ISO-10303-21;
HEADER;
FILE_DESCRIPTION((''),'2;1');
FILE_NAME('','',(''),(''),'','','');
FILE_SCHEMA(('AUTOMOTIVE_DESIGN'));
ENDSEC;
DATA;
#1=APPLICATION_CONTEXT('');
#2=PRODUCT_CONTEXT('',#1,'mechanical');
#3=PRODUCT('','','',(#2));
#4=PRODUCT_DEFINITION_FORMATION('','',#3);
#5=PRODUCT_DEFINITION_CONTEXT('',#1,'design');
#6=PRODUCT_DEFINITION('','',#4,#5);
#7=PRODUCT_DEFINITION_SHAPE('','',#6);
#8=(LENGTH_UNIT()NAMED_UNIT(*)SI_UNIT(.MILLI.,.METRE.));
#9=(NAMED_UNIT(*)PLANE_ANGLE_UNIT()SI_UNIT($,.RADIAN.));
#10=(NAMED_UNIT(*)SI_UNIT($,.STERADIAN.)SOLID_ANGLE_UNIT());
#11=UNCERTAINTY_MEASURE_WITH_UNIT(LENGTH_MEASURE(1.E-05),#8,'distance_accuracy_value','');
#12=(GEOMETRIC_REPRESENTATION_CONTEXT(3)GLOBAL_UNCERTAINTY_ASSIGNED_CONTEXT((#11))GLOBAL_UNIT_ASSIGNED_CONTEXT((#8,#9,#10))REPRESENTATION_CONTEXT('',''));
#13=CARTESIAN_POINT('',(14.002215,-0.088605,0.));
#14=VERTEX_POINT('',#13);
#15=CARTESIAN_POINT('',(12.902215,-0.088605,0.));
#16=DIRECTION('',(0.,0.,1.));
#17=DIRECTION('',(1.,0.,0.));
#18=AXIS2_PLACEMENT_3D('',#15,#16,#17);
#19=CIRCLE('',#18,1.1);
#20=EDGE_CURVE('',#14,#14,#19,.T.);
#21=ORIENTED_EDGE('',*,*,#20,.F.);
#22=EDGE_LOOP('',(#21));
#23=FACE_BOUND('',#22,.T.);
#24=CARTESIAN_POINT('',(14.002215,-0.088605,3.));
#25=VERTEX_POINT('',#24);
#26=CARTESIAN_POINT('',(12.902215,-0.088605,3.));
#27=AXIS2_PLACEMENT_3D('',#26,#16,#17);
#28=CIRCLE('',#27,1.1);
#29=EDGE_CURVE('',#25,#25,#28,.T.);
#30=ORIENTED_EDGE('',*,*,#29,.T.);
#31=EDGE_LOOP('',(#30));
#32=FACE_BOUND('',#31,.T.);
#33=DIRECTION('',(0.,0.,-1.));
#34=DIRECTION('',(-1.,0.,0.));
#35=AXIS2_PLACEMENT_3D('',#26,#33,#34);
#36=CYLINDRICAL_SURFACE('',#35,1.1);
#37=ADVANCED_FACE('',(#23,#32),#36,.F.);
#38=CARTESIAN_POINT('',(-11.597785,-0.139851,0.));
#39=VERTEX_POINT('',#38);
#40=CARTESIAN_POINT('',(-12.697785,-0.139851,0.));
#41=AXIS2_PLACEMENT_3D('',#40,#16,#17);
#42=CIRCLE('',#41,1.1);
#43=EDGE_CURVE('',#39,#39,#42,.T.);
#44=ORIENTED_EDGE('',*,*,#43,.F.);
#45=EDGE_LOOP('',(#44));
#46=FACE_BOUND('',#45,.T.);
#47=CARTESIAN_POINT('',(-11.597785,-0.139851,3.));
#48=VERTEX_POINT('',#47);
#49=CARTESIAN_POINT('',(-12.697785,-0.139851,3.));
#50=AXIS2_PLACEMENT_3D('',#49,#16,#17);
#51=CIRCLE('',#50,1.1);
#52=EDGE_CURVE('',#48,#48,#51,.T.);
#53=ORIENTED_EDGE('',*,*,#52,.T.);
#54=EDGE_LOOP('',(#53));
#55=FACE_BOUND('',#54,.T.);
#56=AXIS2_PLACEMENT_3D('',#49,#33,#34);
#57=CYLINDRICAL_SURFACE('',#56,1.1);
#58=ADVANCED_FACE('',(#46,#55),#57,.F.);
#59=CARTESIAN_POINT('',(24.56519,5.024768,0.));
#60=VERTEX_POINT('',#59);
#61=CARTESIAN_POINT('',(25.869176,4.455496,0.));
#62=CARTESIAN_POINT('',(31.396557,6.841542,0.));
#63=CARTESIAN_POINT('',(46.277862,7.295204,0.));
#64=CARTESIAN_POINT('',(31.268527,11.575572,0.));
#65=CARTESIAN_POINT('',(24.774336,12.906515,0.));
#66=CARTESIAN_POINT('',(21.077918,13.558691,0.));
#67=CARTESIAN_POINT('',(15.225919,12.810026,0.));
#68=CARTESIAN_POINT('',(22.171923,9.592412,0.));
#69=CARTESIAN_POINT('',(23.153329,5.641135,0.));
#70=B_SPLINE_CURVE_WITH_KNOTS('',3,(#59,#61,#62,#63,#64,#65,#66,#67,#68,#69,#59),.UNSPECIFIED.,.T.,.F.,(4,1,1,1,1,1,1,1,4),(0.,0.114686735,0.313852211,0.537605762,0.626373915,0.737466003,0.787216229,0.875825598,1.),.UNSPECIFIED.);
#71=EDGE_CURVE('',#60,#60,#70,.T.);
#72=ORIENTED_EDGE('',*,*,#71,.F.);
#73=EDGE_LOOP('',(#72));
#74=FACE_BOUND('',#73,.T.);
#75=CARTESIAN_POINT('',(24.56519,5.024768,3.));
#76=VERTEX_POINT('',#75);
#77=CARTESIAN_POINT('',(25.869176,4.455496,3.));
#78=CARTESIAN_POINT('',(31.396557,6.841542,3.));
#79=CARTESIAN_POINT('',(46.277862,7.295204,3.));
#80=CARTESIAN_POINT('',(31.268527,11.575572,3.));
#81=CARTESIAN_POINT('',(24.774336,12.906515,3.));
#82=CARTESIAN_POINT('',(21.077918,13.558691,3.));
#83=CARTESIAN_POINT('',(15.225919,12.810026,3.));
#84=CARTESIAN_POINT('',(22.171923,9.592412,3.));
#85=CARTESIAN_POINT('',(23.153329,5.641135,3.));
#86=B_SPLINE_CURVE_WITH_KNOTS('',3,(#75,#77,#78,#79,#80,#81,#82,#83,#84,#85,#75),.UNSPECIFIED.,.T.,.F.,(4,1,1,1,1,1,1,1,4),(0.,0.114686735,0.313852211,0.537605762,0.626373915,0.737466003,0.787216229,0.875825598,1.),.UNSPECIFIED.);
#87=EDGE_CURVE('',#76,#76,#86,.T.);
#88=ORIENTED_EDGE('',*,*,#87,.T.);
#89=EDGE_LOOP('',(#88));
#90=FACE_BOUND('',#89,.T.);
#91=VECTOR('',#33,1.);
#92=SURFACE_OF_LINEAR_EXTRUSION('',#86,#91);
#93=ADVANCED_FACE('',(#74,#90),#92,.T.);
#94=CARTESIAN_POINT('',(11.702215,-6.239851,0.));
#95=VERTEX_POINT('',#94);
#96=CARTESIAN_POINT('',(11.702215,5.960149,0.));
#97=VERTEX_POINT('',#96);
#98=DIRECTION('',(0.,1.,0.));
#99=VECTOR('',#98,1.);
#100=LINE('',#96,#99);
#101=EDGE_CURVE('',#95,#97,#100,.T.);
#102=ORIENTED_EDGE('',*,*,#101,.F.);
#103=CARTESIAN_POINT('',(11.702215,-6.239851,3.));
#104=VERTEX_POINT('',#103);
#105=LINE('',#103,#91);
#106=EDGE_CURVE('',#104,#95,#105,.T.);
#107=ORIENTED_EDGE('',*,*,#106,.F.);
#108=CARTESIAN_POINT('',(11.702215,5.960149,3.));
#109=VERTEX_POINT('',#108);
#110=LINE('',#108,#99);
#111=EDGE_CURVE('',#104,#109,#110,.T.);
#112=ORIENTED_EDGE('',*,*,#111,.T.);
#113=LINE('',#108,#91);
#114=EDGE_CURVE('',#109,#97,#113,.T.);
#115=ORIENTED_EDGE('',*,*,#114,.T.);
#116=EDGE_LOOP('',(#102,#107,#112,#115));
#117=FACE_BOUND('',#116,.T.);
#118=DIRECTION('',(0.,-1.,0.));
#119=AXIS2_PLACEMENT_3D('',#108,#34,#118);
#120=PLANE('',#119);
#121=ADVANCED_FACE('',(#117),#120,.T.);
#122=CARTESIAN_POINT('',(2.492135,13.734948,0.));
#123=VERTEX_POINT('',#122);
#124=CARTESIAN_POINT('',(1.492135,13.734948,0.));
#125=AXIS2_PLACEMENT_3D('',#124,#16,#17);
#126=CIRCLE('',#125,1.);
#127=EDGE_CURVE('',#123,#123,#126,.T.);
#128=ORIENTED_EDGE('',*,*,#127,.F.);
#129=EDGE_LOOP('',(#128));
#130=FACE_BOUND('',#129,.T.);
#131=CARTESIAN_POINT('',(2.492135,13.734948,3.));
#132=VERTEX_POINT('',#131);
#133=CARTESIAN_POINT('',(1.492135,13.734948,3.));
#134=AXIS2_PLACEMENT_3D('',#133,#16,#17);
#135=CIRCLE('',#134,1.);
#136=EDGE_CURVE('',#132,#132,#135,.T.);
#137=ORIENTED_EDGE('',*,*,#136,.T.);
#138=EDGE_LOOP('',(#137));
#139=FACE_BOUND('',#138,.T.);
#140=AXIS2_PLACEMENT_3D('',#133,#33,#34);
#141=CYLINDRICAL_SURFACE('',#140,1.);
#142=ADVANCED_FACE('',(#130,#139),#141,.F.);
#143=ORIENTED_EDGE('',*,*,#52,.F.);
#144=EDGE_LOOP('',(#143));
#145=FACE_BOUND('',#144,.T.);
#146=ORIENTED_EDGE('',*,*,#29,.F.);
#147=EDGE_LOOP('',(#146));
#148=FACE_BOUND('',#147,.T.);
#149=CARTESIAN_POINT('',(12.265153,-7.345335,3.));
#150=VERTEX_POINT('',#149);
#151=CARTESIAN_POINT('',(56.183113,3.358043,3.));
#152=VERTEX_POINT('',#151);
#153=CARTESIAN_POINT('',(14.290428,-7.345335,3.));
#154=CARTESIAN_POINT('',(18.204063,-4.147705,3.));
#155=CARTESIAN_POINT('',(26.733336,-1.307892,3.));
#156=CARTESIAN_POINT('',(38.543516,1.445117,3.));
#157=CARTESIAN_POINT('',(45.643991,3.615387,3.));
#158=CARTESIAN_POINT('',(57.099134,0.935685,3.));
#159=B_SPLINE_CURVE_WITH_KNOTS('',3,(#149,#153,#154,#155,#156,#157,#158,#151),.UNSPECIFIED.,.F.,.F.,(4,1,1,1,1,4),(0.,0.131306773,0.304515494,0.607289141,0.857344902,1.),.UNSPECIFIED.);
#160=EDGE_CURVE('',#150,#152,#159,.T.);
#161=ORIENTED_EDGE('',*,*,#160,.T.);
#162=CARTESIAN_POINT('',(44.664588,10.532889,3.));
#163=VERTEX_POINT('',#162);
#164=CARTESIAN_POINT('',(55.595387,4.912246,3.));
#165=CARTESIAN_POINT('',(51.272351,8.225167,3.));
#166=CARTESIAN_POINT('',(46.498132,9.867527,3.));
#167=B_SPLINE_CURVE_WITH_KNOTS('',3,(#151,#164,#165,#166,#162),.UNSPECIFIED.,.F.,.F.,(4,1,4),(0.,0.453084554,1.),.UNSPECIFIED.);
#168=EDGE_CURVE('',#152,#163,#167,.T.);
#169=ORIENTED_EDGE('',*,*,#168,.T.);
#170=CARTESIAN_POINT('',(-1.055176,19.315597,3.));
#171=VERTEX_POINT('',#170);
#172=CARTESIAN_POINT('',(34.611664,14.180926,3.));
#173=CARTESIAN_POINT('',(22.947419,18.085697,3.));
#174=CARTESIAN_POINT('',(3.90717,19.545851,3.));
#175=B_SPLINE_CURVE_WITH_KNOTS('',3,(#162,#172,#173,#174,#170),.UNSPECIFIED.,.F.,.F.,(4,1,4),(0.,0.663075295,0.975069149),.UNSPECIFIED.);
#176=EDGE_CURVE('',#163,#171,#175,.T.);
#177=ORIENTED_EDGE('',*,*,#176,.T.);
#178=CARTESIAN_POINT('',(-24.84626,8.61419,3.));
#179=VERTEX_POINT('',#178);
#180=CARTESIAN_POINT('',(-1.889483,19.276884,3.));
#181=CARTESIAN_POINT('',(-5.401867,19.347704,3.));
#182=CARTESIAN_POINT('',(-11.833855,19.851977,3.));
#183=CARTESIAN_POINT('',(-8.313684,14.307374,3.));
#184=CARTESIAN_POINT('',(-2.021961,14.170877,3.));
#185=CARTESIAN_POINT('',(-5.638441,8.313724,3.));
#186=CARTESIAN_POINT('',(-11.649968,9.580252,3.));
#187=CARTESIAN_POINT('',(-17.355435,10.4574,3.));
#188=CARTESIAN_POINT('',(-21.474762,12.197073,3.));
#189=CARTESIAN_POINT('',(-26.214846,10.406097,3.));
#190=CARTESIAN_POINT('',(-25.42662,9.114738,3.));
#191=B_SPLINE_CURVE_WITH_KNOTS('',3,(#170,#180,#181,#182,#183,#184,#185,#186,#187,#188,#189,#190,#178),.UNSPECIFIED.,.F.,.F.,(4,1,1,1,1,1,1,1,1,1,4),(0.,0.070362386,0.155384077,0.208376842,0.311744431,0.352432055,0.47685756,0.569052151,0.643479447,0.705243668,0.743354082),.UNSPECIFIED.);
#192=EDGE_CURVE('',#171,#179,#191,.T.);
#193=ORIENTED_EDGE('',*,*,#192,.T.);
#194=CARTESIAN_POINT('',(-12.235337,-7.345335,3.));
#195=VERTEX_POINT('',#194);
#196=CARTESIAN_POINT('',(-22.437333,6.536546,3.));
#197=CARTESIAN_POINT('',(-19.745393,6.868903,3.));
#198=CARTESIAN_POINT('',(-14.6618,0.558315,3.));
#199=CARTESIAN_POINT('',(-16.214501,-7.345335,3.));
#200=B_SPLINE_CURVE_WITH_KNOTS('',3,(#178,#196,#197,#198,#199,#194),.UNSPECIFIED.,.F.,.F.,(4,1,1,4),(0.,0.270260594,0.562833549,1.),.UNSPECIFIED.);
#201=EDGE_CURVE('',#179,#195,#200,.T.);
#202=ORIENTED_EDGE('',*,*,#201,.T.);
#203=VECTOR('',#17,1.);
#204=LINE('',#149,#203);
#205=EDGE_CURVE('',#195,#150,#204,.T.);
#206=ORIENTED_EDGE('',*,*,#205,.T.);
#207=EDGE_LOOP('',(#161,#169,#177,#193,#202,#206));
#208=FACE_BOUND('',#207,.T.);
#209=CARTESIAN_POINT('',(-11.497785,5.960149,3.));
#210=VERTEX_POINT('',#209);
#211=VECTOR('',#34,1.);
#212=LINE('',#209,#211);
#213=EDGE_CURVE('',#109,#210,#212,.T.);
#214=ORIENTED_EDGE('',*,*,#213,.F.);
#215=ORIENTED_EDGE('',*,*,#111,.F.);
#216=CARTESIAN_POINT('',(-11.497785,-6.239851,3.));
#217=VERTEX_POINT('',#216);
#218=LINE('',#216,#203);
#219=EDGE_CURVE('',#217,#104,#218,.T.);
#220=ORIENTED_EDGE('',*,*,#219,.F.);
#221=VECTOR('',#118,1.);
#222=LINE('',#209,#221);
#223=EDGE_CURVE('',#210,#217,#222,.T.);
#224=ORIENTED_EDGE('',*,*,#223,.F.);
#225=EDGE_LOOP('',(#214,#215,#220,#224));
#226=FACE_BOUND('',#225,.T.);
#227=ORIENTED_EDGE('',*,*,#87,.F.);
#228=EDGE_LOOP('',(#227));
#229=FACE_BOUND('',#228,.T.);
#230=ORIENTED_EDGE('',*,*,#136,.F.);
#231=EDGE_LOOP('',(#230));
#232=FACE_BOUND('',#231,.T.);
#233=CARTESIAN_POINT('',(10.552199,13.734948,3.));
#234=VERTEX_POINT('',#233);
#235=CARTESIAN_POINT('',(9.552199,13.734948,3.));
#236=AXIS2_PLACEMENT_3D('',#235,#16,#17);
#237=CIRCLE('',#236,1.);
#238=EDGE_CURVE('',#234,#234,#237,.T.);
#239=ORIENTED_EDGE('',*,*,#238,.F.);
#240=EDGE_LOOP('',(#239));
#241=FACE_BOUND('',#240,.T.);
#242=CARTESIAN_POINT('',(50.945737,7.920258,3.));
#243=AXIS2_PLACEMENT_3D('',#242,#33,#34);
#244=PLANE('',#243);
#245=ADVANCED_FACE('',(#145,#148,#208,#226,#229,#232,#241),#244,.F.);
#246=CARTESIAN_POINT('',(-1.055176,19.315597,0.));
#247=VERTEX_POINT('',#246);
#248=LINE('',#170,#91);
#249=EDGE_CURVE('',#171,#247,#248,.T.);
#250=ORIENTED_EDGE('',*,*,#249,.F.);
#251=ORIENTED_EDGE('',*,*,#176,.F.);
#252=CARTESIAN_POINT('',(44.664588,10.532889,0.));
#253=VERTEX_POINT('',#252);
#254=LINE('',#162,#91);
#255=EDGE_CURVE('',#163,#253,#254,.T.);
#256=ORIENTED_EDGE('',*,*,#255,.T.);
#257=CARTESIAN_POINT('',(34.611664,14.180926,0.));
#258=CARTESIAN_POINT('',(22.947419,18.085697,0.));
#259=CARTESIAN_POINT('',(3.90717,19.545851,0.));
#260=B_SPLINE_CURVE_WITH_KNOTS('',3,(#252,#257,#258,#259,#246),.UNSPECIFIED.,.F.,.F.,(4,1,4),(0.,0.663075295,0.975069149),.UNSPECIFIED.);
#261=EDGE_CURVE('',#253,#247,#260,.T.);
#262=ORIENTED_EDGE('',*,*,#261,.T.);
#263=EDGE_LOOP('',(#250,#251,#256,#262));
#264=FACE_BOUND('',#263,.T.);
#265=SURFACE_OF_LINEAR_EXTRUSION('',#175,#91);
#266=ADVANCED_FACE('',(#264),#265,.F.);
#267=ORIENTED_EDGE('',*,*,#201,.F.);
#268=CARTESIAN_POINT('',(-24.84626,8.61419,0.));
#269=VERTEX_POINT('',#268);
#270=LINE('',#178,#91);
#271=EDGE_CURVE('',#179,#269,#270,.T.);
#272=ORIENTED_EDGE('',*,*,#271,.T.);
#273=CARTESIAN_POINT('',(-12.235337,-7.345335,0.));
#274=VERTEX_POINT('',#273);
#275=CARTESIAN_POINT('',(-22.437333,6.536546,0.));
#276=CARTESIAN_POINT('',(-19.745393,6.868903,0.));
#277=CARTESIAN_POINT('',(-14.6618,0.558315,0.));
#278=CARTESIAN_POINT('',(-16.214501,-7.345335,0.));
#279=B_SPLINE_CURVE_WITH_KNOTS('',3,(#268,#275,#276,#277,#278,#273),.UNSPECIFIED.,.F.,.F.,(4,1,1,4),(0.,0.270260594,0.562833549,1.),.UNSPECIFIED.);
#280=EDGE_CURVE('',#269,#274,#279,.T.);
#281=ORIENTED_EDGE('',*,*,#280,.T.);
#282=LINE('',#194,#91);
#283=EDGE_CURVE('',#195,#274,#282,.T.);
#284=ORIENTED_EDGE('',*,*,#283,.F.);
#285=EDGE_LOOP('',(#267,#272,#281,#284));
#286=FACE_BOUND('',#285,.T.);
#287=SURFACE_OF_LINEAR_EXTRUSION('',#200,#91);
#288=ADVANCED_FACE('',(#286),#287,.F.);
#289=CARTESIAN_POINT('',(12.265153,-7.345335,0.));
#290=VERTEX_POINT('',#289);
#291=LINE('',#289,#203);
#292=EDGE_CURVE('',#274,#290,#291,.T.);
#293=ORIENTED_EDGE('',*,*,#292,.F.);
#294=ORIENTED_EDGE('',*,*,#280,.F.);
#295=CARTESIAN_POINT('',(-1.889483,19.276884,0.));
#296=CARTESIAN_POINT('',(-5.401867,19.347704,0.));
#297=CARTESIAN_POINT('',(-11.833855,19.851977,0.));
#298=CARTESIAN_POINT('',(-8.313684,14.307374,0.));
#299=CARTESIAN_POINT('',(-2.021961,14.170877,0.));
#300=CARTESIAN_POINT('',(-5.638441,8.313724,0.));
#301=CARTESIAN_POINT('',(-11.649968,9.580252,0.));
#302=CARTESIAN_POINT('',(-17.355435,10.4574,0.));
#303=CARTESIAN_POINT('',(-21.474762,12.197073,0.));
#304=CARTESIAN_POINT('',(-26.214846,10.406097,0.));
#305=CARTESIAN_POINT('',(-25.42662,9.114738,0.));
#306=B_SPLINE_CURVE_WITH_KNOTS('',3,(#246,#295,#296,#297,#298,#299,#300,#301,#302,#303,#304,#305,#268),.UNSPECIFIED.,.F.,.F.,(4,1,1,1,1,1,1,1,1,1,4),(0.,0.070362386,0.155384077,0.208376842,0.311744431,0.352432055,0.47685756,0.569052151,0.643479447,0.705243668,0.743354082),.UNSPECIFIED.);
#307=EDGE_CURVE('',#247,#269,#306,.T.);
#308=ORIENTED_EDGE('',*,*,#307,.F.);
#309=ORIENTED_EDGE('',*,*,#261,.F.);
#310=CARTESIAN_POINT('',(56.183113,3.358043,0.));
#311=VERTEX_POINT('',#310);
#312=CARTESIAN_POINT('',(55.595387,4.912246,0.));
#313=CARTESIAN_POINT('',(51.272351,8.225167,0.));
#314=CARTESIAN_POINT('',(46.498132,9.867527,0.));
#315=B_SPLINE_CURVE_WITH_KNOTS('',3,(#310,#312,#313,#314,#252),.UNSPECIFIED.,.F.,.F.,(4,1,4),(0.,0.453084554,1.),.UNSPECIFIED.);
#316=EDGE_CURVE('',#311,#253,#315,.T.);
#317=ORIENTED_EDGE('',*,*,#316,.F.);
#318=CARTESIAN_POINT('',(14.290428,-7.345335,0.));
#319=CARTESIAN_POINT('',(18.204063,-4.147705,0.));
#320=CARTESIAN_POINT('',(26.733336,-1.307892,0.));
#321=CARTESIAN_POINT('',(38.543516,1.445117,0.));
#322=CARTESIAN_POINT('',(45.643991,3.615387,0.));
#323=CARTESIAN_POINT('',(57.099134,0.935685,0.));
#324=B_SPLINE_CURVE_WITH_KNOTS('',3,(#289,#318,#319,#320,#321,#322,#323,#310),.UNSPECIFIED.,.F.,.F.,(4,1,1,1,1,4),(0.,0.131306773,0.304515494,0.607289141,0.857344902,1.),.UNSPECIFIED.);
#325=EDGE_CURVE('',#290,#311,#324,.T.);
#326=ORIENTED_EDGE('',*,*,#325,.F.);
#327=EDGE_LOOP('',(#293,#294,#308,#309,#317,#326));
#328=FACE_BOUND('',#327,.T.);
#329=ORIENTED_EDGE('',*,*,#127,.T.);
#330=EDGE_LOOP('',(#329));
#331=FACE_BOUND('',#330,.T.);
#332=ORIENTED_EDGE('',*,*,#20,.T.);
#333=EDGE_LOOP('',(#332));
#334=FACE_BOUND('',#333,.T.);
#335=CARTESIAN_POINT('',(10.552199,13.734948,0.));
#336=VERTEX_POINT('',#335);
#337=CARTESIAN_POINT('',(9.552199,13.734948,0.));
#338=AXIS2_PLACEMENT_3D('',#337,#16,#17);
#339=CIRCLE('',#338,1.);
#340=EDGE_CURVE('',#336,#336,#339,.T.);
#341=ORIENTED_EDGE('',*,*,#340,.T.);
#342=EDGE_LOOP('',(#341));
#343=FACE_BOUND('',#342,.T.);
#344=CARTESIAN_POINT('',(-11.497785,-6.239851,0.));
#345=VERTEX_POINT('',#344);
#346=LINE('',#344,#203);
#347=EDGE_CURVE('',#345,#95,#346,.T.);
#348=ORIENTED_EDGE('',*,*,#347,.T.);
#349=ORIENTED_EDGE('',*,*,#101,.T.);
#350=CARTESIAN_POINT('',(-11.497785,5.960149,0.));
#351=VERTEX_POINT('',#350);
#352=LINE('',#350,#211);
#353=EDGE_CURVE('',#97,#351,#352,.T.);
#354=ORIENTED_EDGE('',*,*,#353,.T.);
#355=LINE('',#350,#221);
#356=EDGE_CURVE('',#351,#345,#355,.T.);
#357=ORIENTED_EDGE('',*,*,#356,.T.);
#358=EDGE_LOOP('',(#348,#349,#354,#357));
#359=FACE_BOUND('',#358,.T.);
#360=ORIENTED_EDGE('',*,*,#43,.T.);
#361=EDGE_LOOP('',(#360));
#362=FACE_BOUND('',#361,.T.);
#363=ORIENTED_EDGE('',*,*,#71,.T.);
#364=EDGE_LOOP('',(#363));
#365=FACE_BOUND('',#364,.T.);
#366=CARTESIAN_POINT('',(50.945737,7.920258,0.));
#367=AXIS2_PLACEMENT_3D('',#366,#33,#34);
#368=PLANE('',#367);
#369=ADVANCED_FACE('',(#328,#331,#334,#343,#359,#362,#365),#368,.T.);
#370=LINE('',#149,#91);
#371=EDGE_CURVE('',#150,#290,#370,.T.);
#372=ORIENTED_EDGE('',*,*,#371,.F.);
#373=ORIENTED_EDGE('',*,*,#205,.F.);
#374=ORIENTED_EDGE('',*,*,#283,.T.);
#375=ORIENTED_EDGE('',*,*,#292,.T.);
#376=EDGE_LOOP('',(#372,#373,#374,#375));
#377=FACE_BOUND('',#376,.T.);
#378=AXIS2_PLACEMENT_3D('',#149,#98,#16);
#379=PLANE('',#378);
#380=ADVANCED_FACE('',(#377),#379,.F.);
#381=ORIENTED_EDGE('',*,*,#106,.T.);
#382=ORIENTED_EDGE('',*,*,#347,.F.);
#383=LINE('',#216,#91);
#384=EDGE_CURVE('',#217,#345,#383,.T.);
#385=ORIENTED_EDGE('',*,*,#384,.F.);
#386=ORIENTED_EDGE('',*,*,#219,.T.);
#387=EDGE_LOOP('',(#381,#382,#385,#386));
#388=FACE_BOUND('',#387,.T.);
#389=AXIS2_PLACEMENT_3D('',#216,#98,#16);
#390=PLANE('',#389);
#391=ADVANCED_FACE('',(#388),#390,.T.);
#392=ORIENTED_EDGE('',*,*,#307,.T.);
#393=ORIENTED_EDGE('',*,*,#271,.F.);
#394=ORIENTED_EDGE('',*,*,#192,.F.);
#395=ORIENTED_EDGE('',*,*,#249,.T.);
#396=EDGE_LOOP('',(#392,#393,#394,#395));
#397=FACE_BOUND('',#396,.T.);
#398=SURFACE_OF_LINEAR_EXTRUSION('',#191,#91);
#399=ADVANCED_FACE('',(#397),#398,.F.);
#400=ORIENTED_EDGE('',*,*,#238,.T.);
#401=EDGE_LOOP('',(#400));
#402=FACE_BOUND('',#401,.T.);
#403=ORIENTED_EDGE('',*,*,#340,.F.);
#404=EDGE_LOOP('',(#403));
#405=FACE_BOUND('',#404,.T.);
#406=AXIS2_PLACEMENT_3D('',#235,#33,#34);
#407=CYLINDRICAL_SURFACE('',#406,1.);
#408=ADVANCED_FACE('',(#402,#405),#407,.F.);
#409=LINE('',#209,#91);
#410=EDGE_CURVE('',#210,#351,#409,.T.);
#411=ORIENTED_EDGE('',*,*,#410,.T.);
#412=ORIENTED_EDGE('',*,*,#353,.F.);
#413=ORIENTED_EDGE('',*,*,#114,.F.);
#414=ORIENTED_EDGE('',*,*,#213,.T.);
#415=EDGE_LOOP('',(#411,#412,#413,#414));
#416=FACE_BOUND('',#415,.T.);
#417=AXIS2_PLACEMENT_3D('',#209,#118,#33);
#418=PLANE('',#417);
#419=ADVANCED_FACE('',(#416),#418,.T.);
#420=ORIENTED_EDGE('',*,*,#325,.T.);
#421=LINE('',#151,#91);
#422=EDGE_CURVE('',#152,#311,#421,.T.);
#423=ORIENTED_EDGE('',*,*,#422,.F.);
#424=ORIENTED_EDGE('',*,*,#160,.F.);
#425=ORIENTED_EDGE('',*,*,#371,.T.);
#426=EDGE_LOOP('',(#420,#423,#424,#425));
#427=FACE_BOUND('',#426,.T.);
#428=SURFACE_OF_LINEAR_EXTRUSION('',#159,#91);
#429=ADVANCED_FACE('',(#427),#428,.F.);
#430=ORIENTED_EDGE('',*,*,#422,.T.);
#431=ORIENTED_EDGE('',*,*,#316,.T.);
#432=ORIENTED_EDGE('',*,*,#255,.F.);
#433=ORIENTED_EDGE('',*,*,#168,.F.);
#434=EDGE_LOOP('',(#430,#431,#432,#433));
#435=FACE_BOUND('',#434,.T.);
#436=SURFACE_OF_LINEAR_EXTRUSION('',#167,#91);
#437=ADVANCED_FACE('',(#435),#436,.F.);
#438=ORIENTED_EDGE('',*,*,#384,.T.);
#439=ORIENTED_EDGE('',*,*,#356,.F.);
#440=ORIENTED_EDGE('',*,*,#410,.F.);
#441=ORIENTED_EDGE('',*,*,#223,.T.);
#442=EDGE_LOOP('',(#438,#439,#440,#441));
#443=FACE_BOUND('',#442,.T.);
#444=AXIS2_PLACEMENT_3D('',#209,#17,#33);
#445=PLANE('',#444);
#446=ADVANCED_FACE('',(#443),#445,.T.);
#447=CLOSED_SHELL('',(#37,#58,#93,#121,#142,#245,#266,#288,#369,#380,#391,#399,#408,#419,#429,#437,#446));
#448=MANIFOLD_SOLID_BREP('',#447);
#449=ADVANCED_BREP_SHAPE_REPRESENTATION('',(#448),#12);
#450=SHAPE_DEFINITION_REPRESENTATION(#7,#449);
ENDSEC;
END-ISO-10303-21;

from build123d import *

# Parameters (mm, degrees)
IZIM1_R                     = 1.1
IZIM1_R_2                   = 1
IZIM1_W                     = 23.2
IZIM1_H                     = 12.2
Y_KSEKLIK_EKSTR_ZYON1_DEPTH = 3


with BuildPart() as part:
    # Çizim1 → Yükseklik-Ekstrüzyon1 (new body)
    with BuildSketch(Plane.XY):
        with BuildLine():
            Line((12.26515282, -7.345335078), (-12.235337427, -7.345335078))
            add(Edge.make_bspline(
                [(-12.235337427, -7.345335078), (-16.214500835, -7.345335078), (-14.661800211, 0.558315149), (-19.745392533, 6.868903319), (-22.437333365, 6.536545954), (-24.846259501, 8.614190435)],
                knots=[0, 0, 0, 0, 0.437166451, 0.729739406, 1, 1, 1, 1], degree=3))
            add(Edge.make_bspline(
                [(-1.055175912, 19.315596615), (-1.889483108, 19.276884473), (-5.401867483, 19.347704296), (-11.833854752, 19.851977444), (-8.313684396, 14.307373826), (-2.021960961, 14.170876921), (-5.638441386, 8.313723855), (-11.649967871, 9.580252194), (-17.355435094, 10.45740022), (-21.474762223, 12.197073251), (-26.214845545, 10.406096992), (-25.426619885, 9.114738182), (-24.846259501, 8.614190435)],
                knots=[0, 0, 0, 0, 0.070362386, 0.155384077, 0.208376842, 0.311744431, 0.352432055, 0.47685756, 0.569052151, 0.643479447, 0.705243668, 0.743354082, 0.743354082, 0.743354082, 0.743354082], degree=3))
            add(Edge.make_bspline(
                [(44.664588335, 10.532889161), (34.611664046, 14.180926474), (22.947418736, 18.085696578), (3.907170347, 19.545851194), (-1.055175912, 19.315596615)],
                knots=[0, 0, 0, 0, 0.663075295, 0.975069149, 0.975069149, 0.975069149, 0.975069149], degree=3))
            add(Edge.make_bspline(
                [(44.664588335, 10.532889161), (46.498131519, 9.867527147), (51.272350898, 8.225167426), (55.595387462, 4.912246062), (56.183113274, 3.358042913)],
                knots=[0, 0, 0, 0, 0.546915446, 1, 1, 1, 1], degree=3))
            add(Edge.make_bspline(
                [(12.26515282, -7.345335078), (14.290427878, -7.345335078), (18.204063041, -4.147705218), (26.733335824, -1.307892393), (38.543515668, 1.445116949), (45.643991375, 3.615387193), (57.099133869, 0.935685302), (56.183113274, 3.358042913)],
                knots=[0, 0, 0, 0, 0.131306773, 0.304515494, 0.607289141, 0.857344902, 1, 1, 1, 1], degree=3))
        make_face()
        with Locations((-12.69778463, -0.139850503)):
            Circle(IZIM1_R, mode=Mode.SUBTRACT)
        with Locations((12.90221537, -0.088605195)):
            Circle(IZIM1_R, mode=Mode.SUBTRACT)
        with Locations((1.492135288, 13.734948306)):
            Circle(IZIM1_R_2, mode=Mode.SUBTRACT)
        with Locations((9.552198999, 13.734948306)):
            Circle(IZIM1_R_2, mode=Mode.SUBTRACT)
        with BuildLine():
            add(Edge.make_bspline(
                [(24.565189553, 5.024768451), (25.869175835, 4.455495851), (31.396557168, 6.841542194), (46.277861788, 7.295203777), (31.268526651, 11.575571902), (24.774336438, 12.906515091), (21.077918382, 13.558691292), (15.225918786, 12.810026232), (22.171923305, 9.592412062), (23.153328657, 5.641135153), (24.565189553, 5.024768451)],
                knots=[0, 0, 0, 0, 0.114686735, 0.313852211, 0.537605762, 0.626373915, 0.737466003, 0.787216229, 0.875825598, 1, 1, 1, 1], degree=3))
        make_face(mode=Mode.SUBTRACT)
        with Locations((0.10221537, -0.139850503)):
            Rectangle(IZIM1_W, IZIM1_H, mode=Mode.SUBTRACT)
    extrude(amount=Y_KSEKLIK_EKSTR_ZYON1_DEPTH)


solid = part.part
